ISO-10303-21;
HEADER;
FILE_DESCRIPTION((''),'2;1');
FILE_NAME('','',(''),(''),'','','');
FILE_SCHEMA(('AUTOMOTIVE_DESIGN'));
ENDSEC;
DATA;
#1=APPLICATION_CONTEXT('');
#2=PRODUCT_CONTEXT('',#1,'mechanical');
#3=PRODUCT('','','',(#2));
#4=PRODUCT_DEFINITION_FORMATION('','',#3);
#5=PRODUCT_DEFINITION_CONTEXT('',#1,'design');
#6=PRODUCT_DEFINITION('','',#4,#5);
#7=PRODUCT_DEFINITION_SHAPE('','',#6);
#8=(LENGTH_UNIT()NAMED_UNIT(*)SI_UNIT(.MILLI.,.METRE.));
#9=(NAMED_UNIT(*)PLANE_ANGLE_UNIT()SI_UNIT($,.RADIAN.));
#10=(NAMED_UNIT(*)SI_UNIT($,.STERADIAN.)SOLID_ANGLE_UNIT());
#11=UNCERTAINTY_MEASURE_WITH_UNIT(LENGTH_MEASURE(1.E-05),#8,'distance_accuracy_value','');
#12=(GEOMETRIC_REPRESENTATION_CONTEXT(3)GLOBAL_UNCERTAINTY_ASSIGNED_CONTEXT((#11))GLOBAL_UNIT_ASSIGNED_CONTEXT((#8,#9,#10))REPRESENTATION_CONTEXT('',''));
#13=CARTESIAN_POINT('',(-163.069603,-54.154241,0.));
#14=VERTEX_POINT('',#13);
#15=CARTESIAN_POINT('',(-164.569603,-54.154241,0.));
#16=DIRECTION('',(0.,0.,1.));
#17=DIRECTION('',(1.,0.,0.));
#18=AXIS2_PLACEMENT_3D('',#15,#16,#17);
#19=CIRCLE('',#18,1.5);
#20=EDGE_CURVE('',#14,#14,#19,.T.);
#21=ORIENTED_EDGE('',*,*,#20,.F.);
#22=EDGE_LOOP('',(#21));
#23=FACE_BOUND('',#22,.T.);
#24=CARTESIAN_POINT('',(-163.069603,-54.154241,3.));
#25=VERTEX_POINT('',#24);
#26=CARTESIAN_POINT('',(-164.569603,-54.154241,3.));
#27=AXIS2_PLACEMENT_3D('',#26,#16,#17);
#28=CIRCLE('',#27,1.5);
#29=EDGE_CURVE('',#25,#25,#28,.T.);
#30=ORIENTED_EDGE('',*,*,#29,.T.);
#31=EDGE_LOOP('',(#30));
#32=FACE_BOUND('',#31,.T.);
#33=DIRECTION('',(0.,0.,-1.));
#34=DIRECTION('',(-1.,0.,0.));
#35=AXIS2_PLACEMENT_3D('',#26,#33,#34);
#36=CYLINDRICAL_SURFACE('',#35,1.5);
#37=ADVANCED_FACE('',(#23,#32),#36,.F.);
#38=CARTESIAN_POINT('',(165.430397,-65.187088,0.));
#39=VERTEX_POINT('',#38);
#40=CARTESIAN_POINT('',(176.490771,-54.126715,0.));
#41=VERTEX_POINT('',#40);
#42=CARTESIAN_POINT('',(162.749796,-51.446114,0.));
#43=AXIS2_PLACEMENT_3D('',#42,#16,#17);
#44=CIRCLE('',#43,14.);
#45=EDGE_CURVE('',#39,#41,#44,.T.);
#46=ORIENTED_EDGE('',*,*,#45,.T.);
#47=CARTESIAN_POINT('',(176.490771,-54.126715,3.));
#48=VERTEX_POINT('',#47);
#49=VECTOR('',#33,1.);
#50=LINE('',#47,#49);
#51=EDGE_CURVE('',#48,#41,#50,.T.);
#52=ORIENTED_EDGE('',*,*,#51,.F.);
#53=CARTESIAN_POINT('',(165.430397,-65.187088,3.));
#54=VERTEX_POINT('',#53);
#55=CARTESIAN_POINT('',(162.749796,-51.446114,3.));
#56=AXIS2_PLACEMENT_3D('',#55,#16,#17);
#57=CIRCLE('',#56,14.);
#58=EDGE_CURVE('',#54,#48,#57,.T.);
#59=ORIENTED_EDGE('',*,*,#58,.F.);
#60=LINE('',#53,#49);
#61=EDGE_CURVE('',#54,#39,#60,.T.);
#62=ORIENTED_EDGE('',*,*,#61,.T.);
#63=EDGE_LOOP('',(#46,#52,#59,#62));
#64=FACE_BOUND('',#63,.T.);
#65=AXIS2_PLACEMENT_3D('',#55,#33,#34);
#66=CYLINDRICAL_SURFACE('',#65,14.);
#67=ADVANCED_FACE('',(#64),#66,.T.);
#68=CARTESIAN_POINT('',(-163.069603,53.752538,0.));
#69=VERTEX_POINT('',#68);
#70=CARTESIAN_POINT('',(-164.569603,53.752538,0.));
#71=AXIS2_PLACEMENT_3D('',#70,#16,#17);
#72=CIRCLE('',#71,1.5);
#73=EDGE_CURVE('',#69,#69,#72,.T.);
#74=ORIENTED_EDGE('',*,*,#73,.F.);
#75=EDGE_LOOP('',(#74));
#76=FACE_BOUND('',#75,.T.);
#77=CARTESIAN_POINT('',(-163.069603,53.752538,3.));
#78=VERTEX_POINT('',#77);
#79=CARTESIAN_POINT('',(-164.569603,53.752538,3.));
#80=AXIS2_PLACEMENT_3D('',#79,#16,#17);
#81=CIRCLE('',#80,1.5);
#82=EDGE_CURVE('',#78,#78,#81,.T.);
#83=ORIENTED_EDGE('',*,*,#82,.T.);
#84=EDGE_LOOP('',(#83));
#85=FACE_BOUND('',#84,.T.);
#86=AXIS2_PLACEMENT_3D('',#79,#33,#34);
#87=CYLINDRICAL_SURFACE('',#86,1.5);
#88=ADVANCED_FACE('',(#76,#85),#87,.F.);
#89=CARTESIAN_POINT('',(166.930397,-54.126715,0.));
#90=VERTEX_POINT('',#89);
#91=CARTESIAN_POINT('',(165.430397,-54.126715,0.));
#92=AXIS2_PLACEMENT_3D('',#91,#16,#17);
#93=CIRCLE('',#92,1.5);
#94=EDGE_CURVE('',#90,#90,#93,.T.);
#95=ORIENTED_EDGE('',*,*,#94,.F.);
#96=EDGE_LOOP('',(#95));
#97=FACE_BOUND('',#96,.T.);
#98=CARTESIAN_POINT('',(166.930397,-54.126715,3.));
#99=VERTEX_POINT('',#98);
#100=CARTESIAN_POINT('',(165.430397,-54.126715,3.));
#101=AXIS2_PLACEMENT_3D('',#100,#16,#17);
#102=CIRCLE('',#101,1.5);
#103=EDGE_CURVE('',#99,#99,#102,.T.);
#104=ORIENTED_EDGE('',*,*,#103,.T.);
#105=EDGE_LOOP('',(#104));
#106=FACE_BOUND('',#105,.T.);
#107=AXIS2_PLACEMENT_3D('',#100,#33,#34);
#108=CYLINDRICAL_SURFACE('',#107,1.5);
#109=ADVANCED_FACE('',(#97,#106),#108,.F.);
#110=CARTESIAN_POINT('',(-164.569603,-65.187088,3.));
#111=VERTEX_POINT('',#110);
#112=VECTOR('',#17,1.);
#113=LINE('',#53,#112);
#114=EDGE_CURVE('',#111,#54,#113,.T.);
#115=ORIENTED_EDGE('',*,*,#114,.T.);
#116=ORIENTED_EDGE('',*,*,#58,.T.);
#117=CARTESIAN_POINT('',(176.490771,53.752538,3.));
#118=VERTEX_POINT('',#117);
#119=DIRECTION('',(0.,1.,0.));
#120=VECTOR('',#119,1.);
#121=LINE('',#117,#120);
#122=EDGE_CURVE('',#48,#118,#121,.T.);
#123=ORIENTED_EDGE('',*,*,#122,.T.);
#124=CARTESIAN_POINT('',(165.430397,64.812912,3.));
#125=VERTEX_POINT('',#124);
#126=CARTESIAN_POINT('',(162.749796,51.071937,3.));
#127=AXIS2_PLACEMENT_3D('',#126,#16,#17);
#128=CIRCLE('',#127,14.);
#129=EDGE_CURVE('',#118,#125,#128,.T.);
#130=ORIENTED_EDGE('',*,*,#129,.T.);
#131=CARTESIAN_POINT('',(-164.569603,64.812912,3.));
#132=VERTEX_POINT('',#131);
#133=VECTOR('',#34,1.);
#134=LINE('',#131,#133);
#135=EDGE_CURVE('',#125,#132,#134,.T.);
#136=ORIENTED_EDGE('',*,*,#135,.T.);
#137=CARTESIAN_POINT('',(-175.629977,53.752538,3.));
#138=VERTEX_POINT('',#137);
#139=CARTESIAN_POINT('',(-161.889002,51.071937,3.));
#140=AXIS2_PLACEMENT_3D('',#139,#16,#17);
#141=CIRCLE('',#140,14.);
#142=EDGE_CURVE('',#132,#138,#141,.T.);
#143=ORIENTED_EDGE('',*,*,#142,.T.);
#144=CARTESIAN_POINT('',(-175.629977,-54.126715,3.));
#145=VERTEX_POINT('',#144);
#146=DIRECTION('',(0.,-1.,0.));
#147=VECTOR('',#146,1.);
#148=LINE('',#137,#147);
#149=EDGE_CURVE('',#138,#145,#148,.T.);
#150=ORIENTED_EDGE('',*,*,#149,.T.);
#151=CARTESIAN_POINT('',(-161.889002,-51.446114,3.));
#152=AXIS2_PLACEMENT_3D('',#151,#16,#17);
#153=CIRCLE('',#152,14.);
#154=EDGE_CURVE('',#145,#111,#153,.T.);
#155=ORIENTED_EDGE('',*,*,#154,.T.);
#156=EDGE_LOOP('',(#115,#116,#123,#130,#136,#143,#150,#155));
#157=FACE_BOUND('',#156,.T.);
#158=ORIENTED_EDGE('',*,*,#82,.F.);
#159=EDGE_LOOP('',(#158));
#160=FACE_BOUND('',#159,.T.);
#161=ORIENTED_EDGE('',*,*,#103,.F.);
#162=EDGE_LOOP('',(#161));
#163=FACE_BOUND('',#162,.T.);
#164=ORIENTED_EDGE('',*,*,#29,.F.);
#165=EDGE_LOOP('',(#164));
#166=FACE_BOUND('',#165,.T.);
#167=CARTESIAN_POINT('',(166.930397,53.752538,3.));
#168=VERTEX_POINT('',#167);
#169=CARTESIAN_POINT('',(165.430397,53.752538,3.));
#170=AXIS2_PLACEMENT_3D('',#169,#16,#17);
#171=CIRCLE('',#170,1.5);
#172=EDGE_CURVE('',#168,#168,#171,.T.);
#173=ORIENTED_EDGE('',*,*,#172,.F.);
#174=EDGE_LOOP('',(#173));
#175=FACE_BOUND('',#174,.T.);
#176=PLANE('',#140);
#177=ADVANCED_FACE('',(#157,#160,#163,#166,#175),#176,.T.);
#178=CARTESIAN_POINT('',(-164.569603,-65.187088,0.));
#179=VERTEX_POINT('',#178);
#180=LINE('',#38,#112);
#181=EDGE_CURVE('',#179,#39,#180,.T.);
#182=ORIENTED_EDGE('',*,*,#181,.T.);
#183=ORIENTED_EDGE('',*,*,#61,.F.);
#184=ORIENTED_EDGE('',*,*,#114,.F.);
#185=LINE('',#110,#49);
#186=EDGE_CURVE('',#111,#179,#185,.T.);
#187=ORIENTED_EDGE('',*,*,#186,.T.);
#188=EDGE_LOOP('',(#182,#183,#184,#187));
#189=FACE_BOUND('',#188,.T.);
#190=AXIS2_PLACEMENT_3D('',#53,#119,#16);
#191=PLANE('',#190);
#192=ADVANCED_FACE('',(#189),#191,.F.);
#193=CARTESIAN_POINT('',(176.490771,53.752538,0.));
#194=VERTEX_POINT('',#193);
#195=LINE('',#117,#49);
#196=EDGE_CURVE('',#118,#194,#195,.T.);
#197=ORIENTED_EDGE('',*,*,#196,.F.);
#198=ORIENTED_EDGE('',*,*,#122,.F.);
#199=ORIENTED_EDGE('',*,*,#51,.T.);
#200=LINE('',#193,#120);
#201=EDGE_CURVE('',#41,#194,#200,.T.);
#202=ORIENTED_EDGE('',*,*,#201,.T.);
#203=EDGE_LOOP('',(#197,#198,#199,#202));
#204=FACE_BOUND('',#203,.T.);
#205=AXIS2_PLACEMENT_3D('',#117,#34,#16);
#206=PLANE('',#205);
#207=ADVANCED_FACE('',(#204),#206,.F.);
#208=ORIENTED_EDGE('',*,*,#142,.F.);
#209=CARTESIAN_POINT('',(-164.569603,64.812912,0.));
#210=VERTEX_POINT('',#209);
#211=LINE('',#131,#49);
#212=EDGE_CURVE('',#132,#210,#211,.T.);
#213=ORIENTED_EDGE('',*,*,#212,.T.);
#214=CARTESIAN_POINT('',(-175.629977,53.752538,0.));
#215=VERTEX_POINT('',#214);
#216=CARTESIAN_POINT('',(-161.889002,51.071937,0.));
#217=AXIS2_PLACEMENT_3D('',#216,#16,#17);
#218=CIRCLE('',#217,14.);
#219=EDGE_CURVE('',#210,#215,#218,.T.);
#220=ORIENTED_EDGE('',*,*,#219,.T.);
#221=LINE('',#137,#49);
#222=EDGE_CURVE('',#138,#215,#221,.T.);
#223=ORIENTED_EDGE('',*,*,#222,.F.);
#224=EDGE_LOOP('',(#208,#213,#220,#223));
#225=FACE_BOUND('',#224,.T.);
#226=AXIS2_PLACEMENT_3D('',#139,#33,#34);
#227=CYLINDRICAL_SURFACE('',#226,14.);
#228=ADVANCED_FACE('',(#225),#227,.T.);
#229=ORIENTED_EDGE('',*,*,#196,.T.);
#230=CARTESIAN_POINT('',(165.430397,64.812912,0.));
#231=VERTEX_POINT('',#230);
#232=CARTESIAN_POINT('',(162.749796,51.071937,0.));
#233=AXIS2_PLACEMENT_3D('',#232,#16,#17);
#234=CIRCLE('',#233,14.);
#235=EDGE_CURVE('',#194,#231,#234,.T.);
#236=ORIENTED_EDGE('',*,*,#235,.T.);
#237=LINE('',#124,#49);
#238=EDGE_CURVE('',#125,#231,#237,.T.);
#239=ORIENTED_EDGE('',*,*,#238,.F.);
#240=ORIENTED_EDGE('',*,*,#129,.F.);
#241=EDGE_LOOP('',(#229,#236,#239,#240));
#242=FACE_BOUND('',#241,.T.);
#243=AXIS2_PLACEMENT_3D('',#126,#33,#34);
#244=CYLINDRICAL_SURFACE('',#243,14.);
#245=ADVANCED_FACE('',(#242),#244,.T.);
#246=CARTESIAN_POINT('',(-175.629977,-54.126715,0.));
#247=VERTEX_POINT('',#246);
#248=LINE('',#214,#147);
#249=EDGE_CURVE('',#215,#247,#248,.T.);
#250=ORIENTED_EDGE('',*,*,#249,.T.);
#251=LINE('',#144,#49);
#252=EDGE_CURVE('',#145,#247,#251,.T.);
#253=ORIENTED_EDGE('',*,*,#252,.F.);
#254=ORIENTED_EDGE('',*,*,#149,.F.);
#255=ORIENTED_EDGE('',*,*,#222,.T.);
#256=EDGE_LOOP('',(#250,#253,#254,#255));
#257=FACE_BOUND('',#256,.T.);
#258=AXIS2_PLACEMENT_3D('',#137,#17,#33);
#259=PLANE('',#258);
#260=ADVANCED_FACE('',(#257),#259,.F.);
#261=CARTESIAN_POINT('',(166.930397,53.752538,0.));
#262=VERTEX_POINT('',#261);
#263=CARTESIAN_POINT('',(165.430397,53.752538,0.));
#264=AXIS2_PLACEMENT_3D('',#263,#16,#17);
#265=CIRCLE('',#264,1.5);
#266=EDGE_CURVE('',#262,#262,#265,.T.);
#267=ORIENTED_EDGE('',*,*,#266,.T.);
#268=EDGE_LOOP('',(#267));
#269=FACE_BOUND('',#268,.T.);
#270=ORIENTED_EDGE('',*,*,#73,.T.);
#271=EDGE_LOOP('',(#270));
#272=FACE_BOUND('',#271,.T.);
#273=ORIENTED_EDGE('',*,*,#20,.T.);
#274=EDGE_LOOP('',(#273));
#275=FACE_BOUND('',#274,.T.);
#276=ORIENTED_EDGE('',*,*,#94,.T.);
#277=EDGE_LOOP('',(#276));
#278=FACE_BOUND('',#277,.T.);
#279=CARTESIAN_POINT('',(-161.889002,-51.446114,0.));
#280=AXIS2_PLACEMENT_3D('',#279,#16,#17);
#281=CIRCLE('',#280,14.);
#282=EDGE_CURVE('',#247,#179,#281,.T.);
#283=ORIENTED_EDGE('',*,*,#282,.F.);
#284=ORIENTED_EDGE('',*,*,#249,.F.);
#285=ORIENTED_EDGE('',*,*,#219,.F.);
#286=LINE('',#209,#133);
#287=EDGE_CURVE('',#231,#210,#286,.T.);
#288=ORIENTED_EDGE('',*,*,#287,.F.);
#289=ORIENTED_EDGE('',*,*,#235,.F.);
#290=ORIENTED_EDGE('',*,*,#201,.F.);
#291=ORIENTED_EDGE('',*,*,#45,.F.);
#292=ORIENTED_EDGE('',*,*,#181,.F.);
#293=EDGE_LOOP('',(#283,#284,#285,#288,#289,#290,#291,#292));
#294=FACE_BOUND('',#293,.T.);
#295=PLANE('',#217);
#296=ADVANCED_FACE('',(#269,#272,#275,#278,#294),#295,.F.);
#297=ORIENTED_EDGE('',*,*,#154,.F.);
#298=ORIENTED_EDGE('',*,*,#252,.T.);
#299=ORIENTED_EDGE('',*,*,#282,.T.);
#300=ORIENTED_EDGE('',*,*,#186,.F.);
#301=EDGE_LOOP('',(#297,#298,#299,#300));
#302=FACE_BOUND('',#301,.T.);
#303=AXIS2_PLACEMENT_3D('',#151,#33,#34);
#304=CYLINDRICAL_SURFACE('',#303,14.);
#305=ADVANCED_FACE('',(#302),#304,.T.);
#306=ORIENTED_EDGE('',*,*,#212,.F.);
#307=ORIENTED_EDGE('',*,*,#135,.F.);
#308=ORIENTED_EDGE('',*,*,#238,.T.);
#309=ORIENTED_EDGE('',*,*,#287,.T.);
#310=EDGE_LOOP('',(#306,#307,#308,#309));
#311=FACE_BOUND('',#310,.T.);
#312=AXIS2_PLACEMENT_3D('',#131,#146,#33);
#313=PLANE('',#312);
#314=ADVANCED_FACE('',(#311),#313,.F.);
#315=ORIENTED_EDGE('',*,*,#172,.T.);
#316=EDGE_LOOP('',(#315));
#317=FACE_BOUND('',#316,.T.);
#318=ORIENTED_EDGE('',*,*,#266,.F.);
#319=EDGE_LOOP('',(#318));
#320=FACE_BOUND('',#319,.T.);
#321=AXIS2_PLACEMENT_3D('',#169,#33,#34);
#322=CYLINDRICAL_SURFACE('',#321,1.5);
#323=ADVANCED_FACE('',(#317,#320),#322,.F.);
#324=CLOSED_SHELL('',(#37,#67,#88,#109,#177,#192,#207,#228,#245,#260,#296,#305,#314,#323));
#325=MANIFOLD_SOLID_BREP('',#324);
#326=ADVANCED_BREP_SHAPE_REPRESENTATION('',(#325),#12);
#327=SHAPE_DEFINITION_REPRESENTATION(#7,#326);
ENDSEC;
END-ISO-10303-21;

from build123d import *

# Parameters (mm, degrees)
MODEL_R                 = 1.5
SALIENTE_EXTRUIR1_DEPTH = 3


with BuildPart() as part:
    # Model → Saliente-Extruir1 (new body)
    with BuildSketch(Plane.XY):
        with BuildLine():
            Line((-175.629976592, 53.752538026), (-175.629976592, -54.126714803))
            ThreePointArc((-175.629976592, -54.126714803), (-171.788497074, -61.34560887), (-164.569603007, -65.187088388))
            Line((-164.569603007, -65.187088388), (165.430396993, -65.187088388))
            ThreePointArc((165.430396993, -65.187088388), (172.64929106, -61.34560887), (176.490770579, -54.126714803))
            Line((176.490770579, -54.126714803), (176.490770579, 53.752538026))
            ThreePointArc((176.490770579, 53.752538026), (172.64929106, 60.971432093), (165.430396993, 64.812911612))
            Line((165.430396993, 64.812911612), (-164.569603007, 64.812911612))
            ThreePointArc((-164.569603007, 64.812911612), (-171.788497074, 60.971432093), (-175.629976592, 53.752538026))
        make_face()
        with Locations((-164.569603007, 53.752538026)):
            Circle(MODEL_R, mode=Mode.SUBTRACT)
        with Locations((-164.569603007, -54.154241429)):
            Circle(MODEL_R, mode=Mode.SUBTRACT)
        with Locations((165.430396993, -54.126714803)):
            Circle(MODEL_R, mode=Mode.SUBTRACT)
        with Locations((165.430396993, 53.752538026)):
            Circle(MODEL_R, mode=Mode.SUBTRACT)
    extrude(amount=SALIENTE_EXTRUIR1_DEPTH)


solid = part.part
